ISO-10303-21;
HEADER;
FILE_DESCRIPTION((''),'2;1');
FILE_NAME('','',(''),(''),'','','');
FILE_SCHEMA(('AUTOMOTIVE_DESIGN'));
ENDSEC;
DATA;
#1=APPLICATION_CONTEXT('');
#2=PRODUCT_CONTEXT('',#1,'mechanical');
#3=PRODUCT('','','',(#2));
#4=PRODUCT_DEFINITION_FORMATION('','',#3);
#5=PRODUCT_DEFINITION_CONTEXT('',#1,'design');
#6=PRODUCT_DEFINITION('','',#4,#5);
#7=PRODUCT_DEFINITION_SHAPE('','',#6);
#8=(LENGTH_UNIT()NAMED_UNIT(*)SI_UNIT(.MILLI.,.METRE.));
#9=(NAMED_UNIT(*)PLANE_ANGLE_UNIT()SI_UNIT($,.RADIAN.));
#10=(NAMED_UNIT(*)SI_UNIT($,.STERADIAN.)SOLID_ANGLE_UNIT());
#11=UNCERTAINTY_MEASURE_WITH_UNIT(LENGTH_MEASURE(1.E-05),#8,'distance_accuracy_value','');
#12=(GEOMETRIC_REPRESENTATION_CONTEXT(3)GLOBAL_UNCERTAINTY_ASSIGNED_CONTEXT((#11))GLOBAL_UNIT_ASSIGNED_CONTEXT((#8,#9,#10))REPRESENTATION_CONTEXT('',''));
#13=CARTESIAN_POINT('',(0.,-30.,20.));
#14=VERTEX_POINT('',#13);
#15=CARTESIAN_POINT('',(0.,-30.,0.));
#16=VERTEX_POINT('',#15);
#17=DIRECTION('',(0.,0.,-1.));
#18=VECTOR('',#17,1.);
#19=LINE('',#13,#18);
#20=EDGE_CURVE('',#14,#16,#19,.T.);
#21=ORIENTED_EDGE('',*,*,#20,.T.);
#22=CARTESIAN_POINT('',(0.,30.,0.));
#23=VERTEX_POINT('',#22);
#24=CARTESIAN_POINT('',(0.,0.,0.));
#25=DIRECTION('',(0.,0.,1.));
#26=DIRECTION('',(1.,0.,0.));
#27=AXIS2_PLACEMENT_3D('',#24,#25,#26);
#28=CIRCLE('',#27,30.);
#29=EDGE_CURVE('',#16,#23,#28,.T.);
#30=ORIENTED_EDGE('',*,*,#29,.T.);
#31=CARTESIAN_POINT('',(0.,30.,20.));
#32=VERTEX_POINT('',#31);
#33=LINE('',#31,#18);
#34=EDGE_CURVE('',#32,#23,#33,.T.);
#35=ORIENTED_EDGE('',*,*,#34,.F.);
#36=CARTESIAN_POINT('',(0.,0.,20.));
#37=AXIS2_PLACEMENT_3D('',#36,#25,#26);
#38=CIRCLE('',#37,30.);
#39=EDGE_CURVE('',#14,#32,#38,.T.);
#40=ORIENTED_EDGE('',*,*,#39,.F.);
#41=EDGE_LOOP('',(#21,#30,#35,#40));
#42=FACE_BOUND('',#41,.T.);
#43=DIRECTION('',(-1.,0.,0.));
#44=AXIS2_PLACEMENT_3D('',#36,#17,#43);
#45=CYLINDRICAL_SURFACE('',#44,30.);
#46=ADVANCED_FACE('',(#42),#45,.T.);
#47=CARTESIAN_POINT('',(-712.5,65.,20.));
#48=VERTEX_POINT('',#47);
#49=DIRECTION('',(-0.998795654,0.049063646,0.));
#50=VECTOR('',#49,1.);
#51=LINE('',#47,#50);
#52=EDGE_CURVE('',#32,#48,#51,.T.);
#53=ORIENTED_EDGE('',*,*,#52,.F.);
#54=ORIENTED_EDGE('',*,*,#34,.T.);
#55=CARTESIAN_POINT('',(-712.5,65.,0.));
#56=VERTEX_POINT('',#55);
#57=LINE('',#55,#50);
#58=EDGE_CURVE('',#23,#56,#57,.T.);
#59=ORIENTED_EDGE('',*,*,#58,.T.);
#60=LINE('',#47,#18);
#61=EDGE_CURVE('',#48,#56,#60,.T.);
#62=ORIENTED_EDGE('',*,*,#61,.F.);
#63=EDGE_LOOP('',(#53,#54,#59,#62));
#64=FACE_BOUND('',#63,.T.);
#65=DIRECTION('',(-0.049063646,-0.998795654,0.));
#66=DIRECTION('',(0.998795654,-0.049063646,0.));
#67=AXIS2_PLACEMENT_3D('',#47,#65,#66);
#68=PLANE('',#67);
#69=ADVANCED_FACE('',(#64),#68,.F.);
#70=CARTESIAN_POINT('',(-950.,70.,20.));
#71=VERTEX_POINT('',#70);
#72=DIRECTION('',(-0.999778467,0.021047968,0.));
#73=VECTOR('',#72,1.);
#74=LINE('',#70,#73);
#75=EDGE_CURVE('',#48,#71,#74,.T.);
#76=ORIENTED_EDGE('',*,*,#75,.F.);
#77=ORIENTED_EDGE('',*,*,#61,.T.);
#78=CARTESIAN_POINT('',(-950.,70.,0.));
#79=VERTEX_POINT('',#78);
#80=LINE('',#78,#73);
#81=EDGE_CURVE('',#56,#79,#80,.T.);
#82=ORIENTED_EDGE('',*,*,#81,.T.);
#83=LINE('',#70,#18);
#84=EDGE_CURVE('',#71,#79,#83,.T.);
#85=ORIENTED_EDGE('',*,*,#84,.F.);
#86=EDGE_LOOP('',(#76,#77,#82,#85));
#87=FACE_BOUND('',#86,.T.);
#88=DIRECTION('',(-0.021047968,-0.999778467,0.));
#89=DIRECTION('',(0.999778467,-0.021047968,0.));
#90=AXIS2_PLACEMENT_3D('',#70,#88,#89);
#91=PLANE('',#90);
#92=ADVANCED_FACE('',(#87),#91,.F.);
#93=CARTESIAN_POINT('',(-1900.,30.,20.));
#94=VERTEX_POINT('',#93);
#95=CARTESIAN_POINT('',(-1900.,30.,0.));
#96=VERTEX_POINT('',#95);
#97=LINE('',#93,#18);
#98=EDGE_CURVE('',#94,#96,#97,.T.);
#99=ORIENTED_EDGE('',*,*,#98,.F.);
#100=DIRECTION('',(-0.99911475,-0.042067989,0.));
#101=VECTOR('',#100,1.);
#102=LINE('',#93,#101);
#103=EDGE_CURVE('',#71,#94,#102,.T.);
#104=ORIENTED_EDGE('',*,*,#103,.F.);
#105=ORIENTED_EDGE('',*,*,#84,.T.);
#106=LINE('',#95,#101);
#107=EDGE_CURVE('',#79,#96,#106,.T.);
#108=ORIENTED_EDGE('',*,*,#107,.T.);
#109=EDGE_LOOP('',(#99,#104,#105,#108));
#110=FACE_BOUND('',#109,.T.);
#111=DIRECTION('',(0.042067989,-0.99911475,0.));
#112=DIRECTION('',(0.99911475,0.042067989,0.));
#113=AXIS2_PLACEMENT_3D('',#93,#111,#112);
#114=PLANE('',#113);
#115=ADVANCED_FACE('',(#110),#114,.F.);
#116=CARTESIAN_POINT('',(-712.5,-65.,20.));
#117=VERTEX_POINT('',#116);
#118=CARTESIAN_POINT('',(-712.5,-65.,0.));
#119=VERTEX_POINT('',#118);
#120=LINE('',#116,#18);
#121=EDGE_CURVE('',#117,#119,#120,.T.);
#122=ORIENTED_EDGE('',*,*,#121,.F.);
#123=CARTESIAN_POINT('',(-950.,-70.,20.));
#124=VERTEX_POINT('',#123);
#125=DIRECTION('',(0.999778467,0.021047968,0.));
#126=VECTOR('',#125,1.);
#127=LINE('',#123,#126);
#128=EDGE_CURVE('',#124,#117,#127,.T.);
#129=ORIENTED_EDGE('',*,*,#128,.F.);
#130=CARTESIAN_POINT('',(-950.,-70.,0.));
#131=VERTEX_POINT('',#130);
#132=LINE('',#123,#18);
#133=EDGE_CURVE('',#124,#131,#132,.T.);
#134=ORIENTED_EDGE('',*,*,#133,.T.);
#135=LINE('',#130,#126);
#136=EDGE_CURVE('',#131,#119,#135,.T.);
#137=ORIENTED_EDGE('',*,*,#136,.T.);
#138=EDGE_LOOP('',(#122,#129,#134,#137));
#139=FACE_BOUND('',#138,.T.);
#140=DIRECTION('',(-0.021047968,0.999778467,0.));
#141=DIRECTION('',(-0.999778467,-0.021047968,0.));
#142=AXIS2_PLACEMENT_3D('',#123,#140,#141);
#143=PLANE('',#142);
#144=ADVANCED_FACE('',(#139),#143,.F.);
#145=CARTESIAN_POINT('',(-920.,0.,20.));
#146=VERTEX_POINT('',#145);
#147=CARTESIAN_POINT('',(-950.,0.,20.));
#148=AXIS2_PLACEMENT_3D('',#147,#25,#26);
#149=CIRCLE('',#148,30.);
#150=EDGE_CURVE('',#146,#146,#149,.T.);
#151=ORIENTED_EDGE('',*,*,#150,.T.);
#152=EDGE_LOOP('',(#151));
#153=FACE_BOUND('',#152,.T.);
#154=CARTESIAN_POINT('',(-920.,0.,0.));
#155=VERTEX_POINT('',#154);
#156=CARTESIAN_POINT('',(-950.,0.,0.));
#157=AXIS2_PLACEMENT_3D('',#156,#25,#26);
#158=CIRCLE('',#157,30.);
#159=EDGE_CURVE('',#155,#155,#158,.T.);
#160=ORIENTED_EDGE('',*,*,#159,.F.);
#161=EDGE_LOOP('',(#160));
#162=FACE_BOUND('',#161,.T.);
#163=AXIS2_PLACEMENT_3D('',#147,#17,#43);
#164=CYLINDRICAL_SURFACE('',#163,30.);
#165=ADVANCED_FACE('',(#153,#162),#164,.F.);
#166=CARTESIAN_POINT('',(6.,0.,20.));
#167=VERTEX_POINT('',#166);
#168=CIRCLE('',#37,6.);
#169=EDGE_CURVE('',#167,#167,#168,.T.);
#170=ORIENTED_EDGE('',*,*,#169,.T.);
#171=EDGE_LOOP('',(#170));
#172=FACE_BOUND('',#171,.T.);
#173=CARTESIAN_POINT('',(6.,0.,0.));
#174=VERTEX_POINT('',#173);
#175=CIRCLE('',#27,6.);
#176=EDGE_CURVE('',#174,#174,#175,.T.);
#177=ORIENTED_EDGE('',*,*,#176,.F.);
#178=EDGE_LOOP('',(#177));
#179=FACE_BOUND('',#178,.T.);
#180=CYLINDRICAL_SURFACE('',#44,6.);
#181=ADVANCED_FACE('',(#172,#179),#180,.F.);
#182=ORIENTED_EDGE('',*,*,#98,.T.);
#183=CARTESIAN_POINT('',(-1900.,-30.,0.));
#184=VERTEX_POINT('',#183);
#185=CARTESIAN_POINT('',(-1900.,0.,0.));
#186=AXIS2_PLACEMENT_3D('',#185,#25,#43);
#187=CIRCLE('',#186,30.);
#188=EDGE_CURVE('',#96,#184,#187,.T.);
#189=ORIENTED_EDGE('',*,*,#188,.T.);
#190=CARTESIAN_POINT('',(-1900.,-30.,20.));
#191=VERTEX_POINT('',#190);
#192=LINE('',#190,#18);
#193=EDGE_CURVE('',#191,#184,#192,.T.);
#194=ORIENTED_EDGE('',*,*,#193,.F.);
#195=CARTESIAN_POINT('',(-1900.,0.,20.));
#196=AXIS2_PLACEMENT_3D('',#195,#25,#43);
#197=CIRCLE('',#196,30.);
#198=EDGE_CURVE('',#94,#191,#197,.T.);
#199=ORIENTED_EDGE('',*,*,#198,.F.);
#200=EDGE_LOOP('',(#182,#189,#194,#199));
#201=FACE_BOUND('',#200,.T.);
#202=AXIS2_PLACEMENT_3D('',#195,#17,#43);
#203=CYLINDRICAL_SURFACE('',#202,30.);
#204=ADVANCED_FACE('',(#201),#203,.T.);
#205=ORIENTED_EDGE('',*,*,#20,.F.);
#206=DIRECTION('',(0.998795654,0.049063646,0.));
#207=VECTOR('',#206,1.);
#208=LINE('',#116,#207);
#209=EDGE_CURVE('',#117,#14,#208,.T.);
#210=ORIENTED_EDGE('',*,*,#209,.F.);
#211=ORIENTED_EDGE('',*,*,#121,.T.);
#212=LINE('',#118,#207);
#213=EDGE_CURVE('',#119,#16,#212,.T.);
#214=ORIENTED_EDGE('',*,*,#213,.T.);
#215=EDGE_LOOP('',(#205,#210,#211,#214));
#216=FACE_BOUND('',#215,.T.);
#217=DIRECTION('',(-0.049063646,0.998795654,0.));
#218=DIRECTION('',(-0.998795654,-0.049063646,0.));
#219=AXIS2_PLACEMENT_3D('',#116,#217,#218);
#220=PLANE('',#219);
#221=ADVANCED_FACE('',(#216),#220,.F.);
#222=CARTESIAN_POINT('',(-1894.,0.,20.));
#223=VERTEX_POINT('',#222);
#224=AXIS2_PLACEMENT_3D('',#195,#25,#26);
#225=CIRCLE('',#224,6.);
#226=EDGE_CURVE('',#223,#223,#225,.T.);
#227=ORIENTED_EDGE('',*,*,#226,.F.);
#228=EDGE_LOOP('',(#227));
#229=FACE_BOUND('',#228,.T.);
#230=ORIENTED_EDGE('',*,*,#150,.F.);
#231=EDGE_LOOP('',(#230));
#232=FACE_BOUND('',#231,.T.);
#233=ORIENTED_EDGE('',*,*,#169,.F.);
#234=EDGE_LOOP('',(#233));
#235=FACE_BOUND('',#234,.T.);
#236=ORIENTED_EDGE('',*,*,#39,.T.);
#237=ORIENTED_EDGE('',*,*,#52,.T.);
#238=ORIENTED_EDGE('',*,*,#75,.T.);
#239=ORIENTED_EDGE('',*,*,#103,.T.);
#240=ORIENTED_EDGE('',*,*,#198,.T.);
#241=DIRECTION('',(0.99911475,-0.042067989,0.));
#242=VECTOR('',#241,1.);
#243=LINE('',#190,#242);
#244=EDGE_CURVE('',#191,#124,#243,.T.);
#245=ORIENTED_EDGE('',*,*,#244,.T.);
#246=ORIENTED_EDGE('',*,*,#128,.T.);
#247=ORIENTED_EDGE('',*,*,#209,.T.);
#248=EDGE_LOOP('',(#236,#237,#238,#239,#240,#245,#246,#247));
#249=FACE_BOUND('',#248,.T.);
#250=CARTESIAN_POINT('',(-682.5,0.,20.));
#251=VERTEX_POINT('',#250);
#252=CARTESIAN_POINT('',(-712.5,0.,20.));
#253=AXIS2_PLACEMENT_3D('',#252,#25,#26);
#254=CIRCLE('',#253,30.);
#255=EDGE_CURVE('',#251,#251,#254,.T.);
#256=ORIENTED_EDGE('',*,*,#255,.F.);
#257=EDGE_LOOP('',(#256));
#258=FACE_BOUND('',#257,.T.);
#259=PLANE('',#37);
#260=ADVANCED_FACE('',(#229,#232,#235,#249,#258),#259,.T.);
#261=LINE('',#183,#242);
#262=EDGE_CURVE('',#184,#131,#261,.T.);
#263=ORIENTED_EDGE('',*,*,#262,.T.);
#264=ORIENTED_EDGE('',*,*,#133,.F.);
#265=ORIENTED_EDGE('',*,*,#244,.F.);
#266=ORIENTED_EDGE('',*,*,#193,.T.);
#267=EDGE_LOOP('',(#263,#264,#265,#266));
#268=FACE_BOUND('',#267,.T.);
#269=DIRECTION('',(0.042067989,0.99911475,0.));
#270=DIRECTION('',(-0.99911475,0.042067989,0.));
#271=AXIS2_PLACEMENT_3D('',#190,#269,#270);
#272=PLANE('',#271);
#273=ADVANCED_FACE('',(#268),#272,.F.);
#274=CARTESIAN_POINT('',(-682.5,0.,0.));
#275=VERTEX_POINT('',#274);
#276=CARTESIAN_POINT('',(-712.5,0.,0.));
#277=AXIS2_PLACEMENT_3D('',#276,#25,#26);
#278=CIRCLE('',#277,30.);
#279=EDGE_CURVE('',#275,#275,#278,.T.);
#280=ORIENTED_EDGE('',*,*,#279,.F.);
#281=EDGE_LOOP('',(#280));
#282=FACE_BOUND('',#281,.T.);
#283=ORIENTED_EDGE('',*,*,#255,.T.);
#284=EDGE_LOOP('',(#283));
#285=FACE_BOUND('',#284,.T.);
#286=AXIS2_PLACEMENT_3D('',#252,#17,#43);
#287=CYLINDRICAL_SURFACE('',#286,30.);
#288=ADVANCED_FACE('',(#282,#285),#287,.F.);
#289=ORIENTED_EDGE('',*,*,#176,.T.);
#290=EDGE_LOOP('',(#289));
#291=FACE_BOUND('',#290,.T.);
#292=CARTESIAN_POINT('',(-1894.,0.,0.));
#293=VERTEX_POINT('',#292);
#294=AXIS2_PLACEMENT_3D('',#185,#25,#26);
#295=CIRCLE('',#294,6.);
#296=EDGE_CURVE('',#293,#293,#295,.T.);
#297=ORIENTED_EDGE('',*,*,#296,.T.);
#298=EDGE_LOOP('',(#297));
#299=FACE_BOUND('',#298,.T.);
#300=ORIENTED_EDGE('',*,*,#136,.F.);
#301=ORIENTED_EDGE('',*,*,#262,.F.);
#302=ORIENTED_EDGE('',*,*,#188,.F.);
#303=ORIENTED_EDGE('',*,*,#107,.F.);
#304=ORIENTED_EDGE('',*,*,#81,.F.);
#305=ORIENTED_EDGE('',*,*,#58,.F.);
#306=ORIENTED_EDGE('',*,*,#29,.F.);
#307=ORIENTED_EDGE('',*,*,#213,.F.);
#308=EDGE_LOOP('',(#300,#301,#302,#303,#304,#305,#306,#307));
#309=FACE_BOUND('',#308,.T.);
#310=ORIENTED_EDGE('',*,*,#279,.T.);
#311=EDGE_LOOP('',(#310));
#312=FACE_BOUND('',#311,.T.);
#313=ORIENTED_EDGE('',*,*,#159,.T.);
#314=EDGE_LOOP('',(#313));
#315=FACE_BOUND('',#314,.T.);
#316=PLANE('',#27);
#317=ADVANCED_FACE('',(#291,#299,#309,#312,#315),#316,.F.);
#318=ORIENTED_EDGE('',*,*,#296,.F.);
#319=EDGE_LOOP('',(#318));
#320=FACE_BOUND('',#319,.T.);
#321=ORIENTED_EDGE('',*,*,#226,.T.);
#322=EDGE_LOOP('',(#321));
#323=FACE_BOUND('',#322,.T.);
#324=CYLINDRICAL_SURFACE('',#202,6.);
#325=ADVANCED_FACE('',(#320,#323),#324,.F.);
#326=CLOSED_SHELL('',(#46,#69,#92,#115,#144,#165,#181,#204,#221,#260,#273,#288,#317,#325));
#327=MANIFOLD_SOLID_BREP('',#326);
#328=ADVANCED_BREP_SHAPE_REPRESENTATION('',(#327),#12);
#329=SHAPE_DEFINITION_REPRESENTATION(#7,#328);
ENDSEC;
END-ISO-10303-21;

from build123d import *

# Parameters (mm, degrees)
SKIZZE1_R                       = 30
SKIZZE1_R_2                     = 6
AUFSATZ_LINEAR_AUSTRAGEN1_DEPTH = 20


with BuildPart() as part:
    # Skizze1 → Aufsatz-Linear austragen1 (new body)
    with BuildSketch(Plane.XY):
        with BuildLine():
            Line((-950, 70), (-712.5, 65))
            Line((-712.5, 65), (0, 30))
            ThreePointArc((0, 30), (30, 0), (0, -30))
            Line((0, -30), (-712.5, -65))
            Line((-712.5, -65), (-950, -70))
            Line((-950, -70), (-1900, -30))
            ThreePointArc((-1900, -30), (-1930, 0), (-1900, 30))
            Line((-1900, 30), (-950, 70))
        make_face()
        with Locations((-950, 0)):
            Circle(SKIZZE1_R, mode=Mode.SUBTRACT)
        with Locations((-712.5, 0)):
            Circle(SKIZZE1_R, mode=Mode.SUBTRACT)
        with Locations((-1900, 0)):
            Circle(SKIZZE1_R_2, mode=Mode.SUBTRACT)
        Circle(SKIZZE1_R_2, mode=Mode.SUBTRACT)
    extrude(amount=AUFSATZ_LINEAR_AUSTRAGEN1_DEPTH)


solid = part.part
